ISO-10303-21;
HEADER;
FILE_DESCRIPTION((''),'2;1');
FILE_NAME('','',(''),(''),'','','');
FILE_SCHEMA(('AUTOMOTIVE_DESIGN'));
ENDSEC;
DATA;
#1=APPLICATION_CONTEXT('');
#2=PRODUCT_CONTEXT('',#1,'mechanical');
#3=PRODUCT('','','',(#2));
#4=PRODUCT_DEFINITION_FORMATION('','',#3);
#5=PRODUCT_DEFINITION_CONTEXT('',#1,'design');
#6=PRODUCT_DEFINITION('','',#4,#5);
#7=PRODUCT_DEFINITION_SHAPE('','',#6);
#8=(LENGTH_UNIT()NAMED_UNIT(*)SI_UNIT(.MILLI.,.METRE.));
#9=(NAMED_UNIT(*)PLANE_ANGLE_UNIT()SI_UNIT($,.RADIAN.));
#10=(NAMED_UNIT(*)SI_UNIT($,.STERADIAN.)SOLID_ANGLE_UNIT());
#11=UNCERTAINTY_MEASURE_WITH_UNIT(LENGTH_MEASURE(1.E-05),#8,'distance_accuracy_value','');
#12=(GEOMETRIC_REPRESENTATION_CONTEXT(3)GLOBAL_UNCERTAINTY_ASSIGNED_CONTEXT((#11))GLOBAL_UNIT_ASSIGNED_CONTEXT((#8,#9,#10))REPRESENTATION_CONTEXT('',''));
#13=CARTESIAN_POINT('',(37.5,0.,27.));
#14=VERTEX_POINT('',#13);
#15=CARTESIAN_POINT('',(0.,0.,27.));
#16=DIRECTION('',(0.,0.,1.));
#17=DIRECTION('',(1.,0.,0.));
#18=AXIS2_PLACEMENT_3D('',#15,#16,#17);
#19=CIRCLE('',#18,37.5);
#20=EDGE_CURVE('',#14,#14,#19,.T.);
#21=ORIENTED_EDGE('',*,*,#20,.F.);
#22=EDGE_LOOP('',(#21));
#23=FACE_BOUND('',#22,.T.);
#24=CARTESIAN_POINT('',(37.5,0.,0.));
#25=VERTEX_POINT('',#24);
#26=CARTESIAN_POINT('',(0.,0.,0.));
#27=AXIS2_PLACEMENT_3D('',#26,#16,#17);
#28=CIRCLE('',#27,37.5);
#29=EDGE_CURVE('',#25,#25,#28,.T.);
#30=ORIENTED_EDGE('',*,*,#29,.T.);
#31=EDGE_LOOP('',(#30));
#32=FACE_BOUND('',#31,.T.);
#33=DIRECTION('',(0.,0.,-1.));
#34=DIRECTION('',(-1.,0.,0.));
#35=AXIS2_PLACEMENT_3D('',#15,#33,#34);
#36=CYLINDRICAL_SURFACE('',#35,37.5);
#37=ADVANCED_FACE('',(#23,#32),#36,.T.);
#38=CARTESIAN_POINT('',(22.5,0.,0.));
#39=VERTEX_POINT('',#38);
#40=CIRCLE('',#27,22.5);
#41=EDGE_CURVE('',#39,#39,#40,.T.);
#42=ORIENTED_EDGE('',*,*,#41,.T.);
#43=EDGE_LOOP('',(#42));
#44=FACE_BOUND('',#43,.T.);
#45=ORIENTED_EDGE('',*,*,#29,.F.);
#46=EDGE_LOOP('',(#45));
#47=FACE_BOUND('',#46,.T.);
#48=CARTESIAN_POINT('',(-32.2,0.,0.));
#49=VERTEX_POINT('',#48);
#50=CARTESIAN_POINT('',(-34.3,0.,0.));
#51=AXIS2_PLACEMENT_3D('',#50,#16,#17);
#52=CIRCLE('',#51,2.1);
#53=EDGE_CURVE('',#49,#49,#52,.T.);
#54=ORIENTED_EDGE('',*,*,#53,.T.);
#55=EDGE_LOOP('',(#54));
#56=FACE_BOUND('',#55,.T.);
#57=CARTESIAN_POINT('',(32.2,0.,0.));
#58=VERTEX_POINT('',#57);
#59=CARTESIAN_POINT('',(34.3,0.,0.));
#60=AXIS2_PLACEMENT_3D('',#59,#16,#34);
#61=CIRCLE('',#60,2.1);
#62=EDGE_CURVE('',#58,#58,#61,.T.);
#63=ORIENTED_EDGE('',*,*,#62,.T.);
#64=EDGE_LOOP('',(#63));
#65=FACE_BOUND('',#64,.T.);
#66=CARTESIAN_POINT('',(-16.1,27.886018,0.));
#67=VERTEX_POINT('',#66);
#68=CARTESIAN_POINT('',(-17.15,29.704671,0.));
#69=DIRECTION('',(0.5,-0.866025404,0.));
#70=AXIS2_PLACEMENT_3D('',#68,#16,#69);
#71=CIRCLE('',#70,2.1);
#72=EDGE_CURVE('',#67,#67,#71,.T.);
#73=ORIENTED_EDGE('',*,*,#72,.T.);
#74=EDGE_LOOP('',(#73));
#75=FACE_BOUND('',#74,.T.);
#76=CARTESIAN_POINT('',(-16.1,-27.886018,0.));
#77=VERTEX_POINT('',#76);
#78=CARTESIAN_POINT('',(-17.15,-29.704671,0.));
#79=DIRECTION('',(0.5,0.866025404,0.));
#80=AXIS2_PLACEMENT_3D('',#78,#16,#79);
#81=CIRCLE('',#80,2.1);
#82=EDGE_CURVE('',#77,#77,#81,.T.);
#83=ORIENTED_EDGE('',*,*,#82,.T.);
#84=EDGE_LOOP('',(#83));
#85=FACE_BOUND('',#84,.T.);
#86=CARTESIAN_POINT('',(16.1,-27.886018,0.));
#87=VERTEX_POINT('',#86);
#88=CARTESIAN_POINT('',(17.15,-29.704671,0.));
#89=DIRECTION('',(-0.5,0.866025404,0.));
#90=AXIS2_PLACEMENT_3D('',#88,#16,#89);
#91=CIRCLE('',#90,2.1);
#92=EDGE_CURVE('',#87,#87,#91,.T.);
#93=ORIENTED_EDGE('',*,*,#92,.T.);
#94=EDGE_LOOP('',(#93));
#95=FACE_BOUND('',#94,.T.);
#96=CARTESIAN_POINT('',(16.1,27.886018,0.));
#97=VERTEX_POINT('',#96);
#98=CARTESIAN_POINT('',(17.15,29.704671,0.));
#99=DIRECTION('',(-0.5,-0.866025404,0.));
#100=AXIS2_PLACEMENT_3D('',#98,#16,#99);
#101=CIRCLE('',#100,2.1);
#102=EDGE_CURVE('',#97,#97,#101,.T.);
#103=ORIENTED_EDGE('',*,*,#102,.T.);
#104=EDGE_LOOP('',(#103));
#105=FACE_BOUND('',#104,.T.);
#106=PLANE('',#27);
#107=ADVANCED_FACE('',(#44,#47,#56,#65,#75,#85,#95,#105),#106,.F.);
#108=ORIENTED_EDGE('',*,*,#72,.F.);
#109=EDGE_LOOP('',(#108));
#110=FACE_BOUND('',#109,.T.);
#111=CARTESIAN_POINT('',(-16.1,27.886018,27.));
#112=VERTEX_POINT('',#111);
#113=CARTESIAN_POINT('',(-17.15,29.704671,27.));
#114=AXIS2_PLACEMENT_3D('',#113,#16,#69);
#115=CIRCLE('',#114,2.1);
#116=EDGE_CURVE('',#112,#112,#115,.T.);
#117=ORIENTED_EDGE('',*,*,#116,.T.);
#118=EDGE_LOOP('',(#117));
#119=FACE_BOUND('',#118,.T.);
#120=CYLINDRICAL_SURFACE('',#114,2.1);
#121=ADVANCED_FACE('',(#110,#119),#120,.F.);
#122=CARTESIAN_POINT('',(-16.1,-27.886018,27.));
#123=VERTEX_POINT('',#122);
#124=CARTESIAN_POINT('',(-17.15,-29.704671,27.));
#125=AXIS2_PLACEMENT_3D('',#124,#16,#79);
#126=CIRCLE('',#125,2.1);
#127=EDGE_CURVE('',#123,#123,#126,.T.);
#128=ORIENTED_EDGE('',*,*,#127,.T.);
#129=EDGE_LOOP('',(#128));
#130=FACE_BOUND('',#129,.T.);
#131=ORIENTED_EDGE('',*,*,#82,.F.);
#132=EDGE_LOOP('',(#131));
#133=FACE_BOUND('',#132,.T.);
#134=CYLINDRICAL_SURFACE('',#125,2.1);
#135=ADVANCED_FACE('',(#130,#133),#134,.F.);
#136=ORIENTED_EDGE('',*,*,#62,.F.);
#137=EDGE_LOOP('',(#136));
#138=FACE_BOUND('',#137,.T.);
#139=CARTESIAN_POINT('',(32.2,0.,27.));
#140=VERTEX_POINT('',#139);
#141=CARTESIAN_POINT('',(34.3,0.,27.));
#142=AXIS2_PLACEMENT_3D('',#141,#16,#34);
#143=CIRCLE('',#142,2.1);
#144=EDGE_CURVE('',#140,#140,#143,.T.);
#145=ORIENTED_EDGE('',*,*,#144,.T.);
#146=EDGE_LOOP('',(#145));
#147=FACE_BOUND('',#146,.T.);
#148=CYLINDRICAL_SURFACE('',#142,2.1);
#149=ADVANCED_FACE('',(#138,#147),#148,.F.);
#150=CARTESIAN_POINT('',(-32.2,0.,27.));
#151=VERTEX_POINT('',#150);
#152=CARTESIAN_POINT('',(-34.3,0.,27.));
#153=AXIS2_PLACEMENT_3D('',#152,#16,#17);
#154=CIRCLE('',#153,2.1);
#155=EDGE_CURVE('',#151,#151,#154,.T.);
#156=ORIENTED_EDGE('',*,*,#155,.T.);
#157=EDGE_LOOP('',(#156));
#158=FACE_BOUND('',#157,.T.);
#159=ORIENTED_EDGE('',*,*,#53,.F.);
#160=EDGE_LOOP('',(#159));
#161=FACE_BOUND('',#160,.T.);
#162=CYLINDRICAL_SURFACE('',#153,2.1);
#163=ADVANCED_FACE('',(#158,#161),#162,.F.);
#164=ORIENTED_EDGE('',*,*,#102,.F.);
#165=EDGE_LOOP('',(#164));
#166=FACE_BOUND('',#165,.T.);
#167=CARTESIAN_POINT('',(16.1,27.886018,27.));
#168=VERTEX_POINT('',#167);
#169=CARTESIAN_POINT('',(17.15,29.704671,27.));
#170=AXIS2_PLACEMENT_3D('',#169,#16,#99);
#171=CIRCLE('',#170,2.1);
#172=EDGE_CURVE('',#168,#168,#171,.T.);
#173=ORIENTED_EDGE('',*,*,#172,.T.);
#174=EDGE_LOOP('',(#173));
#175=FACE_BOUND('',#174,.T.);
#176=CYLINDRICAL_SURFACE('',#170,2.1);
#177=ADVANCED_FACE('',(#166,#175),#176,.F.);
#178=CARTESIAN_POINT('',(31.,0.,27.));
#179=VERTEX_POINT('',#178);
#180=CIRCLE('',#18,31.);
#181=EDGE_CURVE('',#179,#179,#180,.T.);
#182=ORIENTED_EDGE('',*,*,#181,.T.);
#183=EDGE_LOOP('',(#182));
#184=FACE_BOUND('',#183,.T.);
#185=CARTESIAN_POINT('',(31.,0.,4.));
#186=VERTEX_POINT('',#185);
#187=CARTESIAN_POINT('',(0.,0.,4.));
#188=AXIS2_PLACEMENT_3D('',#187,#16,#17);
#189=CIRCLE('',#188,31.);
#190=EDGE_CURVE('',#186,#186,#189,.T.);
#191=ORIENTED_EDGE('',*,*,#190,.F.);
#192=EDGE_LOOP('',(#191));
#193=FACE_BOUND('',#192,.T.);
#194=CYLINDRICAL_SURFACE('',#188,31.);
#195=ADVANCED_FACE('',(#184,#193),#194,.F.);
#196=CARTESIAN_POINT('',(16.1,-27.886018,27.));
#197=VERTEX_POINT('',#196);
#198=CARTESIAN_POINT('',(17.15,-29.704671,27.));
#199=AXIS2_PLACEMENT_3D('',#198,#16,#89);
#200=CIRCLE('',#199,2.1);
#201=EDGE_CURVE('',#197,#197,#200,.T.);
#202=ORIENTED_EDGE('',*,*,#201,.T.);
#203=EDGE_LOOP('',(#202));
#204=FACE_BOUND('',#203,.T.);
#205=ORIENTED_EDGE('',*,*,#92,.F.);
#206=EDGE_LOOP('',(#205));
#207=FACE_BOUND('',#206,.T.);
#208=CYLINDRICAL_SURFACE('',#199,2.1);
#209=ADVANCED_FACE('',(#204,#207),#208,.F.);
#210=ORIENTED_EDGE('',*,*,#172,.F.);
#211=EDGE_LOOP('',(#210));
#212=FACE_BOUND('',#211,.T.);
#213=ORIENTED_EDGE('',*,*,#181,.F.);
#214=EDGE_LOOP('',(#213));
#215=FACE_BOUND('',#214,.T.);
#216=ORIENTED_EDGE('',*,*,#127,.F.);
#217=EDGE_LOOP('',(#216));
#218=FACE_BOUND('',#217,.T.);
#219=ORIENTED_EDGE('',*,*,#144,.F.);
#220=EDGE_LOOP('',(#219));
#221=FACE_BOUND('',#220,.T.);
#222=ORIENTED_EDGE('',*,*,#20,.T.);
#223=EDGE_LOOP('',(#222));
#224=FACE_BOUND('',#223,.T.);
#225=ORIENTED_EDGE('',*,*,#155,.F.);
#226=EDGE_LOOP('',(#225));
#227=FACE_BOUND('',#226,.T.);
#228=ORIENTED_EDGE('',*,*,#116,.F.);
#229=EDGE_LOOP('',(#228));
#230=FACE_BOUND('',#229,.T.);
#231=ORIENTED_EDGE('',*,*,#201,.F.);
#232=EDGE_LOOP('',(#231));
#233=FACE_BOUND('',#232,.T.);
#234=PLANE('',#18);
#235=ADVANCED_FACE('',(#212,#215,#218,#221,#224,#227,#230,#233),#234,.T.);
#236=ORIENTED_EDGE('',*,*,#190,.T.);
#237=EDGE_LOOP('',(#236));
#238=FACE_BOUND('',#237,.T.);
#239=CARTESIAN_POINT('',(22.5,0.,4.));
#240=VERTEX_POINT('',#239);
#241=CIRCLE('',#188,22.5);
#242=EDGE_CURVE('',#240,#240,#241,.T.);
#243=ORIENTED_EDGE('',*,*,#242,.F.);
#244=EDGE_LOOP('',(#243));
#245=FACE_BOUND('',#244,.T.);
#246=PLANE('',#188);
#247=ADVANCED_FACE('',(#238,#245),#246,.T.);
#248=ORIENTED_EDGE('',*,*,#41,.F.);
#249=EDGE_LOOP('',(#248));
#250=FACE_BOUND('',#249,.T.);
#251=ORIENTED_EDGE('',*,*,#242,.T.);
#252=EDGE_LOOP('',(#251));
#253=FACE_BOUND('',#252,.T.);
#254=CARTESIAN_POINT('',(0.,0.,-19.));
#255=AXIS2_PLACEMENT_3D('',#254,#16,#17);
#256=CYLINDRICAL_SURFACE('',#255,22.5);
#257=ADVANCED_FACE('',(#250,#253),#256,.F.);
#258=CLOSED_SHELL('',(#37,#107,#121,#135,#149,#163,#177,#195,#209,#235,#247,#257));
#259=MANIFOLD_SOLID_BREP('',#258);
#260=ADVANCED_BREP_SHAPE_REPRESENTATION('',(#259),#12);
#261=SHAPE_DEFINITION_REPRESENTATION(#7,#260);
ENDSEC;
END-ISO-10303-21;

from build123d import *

# Parameters (mm, degrees)
CROQUIS1_R              = 37.5
SALIENTE_EXTRUIR1_DEPTH = 27
CROQUIS2_R              = 31
CORTAR_EXTRUIR1_DEPTH   = 23
CROQUIS3_R              = 22.5
CORTAR_EXTRUIR2_DEPTH   = 23
TALADRO_ROSCADO_M51_D   = 4.2
MATRIZC1_COUNT          = 6


with BuildPart() as part:
    # Croquis1 → Saliente-Extruir1 (new body)
    with BuildSketch(Plane.XY):
        Circle(CROQUIS1_R)
    extrude(amount=SALIENTE_EXTRUIR1_DEPTH)

    # Croquis2 → Cortar-Extruir1 (cut)
    with BuildSketch(Plane.XY.offset(27)):
        Circle(CROQUIS2_R)
    extrude(amount=-CORTAR_EXTRUIR1_DEPTH, mode=Mode.SUBTRACT)

    # Croquis3 → Cortar-Extruir2 (cut)
    with BuildSketch(Plane.XY.offset(4)):
        Circle(CROQUIS3_R)
    extrude(amount=-CORTAR_EXTRUIR2_DEPTH, mode=Mode.SUBTRACT)

    # Taladro roscado M51 (through all)
    with Locations(Plane.XY.offset(27)):
        with Locations((-34.3, 0)):
            taladro_roscado_m51 = Hole(TALADRO_ROSCADO_M51_D / 2)

    # MatrizC1: Taladro roscado M51 ×6 about axis
    matrizc1_axis = Axis((0, 0, 0), (0, 0, 1))
    for i in range(1, MATRIZC1_COUNT):
        add(taladro_roscado_m51.rotate(matrizc1_axis, i * 360 / MATRIZC1_COUNT), mode=Mode.SUBTRACT)


solid = part.part
